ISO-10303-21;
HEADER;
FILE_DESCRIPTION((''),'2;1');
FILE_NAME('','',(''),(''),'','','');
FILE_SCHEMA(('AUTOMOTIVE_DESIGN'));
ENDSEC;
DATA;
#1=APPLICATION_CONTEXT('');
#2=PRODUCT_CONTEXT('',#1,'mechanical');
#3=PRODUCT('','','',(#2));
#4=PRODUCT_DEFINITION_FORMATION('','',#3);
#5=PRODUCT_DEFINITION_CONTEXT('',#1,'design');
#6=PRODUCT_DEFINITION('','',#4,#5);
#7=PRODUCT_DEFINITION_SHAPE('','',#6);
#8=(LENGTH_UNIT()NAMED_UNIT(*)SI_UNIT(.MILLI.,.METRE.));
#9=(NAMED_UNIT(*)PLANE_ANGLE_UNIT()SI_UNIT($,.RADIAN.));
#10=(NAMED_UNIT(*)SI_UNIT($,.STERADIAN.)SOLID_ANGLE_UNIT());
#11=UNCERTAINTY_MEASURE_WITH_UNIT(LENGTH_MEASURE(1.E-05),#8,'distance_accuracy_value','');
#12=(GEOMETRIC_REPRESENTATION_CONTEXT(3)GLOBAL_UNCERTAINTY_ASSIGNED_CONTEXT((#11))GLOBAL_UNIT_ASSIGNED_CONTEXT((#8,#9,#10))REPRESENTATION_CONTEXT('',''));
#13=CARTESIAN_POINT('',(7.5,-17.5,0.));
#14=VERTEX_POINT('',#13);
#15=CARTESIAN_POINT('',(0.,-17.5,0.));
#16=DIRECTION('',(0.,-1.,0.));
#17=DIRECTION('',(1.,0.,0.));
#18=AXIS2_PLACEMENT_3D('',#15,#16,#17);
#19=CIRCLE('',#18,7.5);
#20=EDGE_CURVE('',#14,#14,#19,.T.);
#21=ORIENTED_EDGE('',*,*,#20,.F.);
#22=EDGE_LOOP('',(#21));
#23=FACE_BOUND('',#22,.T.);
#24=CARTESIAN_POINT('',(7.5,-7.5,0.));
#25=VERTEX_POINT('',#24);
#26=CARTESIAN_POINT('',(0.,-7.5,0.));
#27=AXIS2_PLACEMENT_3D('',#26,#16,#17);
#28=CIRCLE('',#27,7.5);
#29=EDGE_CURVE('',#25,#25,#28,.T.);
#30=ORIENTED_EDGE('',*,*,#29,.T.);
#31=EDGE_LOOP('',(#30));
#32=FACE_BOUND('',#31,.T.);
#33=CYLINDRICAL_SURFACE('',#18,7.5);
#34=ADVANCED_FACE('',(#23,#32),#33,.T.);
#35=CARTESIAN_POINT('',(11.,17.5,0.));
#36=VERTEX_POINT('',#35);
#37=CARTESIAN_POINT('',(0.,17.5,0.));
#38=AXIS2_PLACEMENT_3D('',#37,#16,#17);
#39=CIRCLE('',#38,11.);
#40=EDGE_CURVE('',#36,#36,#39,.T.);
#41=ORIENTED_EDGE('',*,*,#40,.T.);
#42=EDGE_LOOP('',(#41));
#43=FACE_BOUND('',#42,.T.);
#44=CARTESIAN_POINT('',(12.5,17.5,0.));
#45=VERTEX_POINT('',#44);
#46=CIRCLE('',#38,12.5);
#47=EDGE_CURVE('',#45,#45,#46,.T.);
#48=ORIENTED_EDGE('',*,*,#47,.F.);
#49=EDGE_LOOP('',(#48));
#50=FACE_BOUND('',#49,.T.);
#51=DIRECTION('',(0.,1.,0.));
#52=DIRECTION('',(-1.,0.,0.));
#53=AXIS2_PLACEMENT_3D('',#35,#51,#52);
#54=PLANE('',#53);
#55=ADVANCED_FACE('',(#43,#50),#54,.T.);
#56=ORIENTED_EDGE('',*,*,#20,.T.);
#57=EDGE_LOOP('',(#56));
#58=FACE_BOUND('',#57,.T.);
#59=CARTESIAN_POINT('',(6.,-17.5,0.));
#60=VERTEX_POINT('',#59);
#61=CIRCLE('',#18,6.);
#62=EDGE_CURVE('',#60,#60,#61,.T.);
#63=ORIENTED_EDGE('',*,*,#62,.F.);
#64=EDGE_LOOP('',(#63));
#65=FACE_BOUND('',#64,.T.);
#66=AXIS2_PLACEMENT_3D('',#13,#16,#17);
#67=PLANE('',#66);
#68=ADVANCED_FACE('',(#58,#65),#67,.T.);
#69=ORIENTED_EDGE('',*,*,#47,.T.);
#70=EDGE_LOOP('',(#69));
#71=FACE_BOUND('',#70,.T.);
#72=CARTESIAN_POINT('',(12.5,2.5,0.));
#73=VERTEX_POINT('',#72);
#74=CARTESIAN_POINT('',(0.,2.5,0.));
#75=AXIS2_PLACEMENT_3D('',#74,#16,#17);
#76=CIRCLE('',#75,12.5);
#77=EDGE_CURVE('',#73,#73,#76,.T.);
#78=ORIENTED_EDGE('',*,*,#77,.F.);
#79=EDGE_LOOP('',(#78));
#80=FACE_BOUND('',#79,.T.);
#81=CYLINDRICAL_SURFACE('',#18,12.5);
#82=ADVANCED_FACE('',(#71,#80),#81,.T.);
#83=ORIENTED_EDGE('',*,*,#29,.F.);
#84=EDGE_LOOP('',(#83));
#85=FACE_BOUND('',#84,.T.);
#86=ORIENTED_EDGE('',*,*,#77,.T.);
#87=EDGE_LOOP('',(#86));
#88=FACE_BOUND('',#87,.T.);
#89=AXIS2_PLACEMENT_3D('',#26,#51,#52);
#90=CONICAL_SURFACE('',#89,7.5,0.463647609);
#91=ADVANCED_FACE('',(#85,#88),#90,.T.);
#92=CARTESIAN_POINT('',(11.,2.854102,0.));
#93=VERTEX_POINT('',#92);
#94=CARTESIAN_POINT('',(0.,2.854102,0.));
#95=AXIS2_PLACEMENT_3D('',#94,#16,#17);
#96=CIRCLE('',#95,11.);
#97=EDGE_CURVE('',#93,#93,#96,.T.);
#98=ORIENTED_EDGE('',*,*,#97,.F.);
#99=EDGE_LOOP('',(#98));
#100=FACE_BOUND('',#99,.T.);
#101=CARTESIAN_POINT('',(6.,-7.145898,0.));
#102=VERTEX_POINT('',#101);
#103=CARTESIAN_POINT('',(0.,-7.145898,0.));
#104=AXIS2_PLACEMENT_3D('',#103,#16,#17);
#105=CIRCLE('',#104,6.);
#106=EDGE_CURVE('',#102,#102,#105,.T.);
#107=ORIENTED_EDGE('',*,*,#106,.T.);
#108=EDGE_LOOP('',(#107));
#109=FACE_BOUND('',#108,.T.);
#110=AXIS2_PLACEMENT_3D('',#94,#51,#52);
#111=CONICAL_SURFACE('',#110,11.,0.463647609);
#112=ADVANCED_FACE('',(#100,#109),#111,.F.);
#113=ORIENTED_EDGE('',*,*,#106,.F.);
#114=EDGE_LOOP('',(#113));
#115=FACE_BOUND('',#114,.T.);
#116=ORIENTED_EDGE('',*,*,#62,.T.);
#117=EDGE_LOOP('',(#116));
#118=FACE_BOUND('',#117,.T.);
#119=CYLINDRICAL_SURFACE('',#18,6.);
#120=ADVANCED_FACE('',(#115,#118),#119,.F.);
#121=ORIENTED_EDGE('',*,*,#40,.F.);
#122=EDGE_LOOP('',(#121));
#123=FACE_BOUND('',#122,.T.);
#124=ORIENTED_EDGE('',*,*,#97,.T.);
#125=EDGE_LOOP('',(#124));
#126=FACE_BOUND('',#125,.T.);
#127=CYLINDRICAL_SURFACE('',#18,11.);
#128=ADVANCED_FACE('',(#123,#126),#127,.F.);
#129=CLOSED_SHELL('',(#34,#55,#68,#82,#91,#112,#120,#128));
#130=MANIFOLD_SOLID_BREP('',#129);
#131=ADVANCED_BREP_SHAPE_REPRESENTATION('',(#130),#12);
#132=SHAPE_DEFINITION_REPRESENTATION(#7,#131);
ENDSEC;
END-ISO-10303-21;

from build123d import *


with BuildPart() as part:
    # Sketch1 → Revolve1 (revolve)
    with BuildSketch(Plane.XY):
        Polygon((12.5, 17.5), (12.5, 2.5), (7.5, -7.5), (7.5, -17.5), (6, -17.5), (6, -7.145898034), (11, 2.854101966), (11, 17.5), align=None)
    revolve(axis=Axis((0, -17.5, 0), (0, 1, 0)))


solid = part.part
